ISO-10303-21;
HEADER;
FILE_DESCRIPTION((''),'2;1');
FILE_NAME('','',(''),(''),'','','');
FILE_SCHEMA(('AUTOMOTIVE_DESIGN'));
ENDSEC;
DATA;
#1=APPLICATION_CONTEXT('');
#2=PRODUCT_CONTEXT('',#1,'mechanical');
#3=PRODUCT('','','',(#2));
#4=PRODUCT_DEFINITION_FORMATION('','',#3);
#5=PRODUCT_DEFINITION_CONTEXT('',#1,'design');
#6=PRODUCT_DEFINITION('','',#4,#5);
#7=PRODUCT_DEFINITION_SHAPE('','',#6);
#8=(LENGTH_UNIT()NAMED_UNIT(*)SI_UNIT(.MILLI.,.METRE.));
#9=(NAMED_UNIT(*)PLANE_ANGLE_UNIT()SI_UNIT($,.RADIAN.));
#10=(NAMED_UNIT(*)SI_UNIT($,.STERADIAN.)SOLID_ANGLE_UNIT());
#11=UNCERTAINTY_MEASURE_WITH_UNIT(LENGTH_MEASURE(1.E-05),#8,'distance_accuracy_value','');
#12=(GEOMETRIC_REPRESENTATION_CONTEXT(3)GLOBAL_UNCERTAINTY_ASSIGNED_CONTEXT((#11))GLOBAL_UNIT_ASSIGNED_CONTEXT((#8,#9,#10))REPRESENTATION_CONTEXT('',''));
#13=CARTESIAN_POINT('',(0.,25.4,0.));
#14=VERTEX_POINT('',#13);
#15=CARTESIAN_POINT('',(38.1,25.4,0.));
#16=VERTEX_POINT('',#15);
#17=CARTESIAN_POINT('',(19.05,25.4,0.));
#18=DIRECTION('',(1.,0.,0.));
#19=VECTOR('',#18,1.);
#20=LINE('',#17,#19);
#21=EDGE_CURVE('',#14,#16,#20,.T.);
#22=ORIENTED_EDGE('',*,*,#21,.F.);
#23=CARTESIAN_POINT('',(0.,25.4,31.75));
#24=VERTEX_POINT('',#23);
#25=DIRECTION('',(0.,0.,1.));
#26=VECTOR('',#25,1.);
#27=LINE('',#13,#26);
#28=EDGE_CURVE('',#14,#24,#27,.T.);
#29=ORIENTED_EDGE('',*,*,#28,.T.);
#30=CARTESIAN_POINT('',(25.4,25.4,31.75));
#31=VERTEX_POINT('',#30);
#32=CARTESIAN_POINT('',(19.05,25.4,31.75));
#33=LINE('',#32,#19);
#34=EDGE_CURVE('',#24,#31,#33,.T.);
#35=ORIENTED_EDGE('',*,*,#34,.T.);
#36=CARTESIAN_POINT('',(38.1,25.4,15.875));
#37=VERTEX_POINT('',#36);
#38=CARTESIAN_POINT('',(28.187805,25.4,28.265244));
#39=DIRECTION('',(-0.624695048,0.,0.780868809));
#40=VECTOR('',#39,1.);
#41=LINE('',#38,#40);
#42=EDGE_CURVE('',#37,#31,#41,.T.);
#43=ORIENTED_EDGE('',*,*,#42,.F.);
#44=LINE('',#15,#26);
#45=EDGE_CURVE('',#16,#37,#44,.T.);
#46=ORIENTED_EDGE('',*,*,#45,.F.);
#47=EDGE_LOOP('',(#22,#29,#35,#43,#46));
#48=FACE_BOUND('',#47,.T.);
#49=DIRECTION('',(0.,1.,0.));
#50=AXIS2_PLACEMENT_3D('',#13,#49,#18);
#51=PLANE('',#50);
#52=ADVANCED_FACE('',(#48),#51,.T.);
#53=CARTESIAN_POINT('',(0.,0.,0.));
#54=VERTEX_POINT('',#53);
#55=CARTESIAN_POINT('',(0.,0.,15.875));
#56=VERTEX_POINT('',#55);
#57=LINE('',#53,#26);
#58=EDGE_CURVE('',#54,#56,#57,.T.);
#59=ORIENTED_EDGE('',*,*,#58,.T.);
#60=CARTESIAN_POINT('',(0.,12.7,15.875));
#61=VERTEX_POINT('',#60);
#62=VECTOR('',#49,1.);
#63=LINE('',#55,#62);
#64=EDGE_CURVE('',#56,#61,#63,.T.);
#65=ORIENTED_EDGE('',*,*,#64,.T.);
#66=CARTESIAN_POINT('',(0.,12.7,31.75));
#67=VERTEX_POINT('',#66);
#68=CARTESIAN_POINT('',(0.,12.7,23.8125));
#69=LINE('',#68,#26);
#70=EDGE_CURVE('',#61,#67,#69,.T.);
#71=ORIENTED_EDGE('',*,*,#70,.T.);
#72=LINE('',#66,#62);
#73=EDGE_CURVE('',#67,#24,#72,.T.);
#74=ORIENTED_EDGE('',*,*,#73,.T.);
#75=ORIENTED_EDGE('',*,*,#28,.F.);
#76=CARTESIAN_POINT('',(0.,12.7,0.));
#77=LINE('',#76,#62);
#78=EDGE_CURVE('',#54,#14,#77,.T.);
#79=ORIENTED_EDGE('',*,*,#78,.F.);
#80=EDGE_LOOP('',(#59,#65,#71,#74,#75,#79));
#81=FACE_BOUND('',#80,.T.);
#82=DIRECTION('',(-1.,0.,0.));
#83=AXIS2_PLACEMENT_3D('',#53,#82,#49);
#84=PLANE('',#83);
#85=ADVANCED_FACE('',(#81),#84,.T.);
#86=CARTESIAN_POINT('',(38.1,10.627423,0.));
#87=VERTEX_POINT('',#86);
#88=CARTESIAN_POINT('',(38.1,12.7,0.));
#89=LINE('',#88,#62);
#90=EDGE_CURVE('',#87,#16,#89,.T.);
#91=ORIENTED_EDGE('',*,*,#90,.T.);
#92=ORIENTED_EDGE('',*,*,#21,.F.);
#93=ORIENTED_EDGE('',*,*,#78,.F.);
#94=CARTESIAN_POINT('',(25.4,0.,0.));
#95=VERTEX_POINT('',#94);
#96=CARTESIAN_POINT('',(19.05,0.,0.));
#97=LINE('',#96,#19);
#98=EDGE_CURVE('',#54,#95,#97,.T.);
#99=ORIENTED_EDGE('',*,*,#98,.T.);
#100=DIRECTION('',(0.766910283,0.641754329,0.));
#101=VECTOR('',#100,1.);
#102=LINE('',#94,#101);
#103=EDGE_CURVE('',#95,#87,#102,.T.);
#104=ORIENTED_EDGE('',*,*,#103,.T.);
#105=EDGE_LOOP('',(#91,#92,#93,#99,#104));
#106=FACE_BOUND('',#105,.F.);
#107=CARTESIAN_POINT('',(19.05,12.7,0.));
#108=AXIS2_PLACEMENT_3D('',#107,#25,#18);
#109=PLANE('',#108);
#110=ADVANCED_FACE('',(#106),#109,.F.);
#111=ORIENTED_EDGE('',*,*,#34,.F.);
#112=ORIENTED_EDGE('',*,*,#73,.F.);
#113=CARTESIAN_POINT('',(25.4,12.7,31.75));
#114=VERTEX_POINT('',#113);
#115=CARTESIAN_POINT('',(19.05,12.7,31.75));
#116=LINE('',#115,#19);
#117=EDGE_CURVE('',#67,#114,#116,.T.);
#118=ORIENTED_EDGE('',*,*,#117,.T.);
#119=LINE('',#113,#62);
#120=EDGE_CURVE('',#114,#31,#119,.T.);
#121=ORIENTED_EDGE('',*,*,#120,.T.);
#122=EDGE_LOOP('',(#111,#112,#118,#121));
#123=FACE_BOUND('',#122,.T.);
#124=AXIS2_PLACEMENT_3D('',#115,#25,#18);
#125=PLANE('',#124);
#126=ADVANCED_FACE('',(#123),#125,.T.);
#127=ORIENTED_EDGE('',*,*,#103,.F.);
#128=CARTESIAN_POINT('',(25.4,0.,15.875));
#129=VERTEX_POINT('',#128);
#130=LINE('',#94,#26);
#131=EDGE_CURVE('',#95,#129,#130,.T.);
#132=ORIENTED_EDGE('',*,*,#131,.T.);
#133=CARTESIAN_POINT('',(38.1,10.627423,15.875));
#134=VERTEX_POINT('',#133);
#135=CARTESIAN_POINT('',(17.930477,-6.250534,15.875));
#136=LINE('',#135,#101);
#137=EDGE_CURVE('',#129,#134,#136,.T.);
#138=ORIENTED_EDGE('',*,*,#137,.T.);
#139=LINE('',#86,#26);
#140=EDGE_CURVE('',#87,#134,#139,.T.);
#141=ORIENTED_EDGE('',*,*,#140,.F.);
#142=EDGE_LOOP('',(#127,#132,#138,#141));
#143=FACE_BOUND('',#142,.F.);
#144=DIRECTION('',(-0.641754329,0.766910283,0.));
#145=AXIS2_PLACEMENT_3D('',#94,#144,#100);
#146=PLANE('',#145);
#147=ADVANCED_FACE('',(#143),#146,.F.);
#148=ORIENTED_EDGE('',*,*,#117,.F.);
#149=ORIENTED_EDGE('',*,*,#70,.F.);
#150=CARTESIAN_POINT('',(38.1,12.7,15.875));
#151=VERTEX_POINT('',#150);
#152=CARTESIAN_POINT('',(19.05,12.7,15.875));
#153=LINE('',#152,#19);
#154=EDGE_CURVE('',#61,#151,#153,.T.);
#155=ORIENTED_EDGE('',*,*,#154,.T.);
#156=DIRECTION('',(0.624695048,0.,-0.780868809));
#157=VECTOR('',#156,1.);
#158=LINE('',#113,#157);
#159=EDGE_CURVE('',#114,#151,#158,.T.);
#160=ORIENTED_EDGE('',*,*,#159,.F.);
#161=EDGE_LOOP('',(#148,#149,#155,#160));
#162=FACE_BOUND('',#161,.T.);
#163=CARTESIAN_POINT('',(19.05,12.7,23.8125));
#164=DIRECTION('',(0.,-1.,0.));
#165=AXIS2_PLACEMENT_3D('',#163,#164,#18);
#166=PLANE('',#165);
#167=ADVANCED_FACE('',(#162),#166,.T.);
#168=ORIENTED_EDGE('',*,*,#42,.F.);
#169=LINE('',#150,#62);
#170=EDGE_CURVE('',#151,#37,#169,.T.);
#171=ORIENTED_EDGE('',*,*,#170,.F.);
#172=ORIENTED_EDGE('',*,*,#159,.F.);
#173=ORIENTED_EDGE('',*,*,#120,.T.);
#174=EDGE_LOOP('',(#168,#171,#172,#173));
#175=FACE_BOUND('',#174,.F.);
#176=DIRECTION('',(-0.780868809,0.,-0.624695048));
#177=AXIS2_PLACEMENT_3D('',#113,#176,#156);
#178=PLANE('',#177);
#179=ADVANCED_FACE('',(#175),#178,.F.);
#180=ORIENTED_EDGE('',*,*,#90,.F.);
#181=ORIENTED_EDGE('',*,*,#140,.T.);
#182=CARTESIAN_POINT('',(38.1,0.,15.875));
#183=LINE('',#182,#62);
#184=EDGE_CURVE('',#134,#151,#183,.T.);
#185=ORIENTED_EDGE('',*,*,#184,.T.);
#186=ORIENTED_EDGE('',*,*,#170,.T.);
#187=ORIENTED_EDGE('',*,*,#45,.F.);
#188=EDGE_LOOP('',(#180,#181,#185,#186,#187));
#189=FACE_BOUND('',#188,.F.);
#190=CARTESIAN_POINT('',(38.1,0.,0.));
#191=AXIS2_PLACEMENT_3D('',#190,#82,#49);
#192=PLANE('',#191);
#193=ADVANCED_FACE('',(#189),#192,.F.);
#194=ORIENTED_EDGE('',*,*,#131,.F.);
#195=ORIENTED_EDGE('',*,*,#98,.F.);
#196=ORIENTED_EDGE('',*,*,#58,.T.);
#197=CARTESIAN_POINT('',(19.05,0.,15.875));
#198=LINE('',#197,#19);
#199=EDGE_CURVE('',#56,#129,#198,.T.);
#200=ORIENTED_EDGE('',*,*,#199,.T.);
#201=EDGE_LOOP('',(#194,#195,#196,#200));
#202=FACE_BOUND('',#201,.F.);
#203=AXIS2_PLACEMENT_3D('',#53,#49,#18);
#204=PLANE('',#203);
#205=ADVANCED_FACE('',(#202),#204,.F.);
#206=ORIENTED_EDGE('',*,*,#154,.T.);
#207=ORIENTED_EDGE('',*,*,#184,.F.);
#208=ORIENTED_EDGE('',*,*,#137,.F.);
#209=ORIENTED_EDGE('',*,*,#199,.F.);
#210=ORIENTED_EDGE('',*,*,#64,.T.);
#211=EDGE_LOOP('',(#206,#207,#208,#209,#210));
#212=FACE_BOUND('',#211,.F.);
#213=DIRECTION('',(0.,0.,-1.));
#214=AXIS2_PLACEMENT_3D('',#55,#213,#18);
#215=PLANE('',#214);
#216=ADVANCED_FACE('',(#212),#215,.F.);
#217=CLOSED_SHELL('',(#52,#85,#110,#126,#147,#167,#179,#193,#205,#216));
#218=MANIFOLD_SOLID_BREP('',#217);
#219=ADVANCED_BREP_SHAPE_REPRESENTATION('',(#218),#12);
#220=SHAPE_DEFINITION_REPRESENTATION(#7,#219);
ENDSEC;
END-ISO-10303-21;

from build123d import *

# Parameters (mm, degrees)
F0_W     = 38.1
F0_H     = 25.4
F1_DEPTH = 31.75
F2_W     = 38.1
F2_H     = 15.875
F3_DEPTH = 12.7
F5_DEPTH = 25.4
F7_DEPTH = 25.4


with BuildPart() as f1:
    # F0 (on Top) → F1 (new body)
    with BuildSketch(Plane.XY):
        with Locations((19.05, 12.7)):
            Rectangle(F0_W, F0_H)
    extrude(amount=F1_DEPTH)

    # F2 (on face) → F3 (cut)
    with BuildSketch(Plane.XZ):
        with Locations((19.05, 23.8125)):
            Rectangle(F2_W, F2_H)
    extrude(amount=-F3_DEPTH, mode=Mode.SUBTRACT)

    # F4 (on face) → F5 (cut)
    with BuildSketch(Plane.XZ.offset(-12.7)):
        Polygon((38.1, 15.875), (38.1, 31.75), (25.4, 31.75), align=None)
    extrude(amount=-F5_DEPTH, mode=Mode.SUBTRACT)

    # F6 (on face) → F7 (cut)
    with BuildSketch(Plane(origin=(0, 0, 0), x_dir=(1, 0, 0), z_dir=(0, 0, -1))):
        Polygon((38.1, -10.627423), (38.1, 0), (25.4, 0), align=None)
    extrude(amount=-F7_DEPTH, mode=Mode.SUBTRACT)


solid = f1.part
